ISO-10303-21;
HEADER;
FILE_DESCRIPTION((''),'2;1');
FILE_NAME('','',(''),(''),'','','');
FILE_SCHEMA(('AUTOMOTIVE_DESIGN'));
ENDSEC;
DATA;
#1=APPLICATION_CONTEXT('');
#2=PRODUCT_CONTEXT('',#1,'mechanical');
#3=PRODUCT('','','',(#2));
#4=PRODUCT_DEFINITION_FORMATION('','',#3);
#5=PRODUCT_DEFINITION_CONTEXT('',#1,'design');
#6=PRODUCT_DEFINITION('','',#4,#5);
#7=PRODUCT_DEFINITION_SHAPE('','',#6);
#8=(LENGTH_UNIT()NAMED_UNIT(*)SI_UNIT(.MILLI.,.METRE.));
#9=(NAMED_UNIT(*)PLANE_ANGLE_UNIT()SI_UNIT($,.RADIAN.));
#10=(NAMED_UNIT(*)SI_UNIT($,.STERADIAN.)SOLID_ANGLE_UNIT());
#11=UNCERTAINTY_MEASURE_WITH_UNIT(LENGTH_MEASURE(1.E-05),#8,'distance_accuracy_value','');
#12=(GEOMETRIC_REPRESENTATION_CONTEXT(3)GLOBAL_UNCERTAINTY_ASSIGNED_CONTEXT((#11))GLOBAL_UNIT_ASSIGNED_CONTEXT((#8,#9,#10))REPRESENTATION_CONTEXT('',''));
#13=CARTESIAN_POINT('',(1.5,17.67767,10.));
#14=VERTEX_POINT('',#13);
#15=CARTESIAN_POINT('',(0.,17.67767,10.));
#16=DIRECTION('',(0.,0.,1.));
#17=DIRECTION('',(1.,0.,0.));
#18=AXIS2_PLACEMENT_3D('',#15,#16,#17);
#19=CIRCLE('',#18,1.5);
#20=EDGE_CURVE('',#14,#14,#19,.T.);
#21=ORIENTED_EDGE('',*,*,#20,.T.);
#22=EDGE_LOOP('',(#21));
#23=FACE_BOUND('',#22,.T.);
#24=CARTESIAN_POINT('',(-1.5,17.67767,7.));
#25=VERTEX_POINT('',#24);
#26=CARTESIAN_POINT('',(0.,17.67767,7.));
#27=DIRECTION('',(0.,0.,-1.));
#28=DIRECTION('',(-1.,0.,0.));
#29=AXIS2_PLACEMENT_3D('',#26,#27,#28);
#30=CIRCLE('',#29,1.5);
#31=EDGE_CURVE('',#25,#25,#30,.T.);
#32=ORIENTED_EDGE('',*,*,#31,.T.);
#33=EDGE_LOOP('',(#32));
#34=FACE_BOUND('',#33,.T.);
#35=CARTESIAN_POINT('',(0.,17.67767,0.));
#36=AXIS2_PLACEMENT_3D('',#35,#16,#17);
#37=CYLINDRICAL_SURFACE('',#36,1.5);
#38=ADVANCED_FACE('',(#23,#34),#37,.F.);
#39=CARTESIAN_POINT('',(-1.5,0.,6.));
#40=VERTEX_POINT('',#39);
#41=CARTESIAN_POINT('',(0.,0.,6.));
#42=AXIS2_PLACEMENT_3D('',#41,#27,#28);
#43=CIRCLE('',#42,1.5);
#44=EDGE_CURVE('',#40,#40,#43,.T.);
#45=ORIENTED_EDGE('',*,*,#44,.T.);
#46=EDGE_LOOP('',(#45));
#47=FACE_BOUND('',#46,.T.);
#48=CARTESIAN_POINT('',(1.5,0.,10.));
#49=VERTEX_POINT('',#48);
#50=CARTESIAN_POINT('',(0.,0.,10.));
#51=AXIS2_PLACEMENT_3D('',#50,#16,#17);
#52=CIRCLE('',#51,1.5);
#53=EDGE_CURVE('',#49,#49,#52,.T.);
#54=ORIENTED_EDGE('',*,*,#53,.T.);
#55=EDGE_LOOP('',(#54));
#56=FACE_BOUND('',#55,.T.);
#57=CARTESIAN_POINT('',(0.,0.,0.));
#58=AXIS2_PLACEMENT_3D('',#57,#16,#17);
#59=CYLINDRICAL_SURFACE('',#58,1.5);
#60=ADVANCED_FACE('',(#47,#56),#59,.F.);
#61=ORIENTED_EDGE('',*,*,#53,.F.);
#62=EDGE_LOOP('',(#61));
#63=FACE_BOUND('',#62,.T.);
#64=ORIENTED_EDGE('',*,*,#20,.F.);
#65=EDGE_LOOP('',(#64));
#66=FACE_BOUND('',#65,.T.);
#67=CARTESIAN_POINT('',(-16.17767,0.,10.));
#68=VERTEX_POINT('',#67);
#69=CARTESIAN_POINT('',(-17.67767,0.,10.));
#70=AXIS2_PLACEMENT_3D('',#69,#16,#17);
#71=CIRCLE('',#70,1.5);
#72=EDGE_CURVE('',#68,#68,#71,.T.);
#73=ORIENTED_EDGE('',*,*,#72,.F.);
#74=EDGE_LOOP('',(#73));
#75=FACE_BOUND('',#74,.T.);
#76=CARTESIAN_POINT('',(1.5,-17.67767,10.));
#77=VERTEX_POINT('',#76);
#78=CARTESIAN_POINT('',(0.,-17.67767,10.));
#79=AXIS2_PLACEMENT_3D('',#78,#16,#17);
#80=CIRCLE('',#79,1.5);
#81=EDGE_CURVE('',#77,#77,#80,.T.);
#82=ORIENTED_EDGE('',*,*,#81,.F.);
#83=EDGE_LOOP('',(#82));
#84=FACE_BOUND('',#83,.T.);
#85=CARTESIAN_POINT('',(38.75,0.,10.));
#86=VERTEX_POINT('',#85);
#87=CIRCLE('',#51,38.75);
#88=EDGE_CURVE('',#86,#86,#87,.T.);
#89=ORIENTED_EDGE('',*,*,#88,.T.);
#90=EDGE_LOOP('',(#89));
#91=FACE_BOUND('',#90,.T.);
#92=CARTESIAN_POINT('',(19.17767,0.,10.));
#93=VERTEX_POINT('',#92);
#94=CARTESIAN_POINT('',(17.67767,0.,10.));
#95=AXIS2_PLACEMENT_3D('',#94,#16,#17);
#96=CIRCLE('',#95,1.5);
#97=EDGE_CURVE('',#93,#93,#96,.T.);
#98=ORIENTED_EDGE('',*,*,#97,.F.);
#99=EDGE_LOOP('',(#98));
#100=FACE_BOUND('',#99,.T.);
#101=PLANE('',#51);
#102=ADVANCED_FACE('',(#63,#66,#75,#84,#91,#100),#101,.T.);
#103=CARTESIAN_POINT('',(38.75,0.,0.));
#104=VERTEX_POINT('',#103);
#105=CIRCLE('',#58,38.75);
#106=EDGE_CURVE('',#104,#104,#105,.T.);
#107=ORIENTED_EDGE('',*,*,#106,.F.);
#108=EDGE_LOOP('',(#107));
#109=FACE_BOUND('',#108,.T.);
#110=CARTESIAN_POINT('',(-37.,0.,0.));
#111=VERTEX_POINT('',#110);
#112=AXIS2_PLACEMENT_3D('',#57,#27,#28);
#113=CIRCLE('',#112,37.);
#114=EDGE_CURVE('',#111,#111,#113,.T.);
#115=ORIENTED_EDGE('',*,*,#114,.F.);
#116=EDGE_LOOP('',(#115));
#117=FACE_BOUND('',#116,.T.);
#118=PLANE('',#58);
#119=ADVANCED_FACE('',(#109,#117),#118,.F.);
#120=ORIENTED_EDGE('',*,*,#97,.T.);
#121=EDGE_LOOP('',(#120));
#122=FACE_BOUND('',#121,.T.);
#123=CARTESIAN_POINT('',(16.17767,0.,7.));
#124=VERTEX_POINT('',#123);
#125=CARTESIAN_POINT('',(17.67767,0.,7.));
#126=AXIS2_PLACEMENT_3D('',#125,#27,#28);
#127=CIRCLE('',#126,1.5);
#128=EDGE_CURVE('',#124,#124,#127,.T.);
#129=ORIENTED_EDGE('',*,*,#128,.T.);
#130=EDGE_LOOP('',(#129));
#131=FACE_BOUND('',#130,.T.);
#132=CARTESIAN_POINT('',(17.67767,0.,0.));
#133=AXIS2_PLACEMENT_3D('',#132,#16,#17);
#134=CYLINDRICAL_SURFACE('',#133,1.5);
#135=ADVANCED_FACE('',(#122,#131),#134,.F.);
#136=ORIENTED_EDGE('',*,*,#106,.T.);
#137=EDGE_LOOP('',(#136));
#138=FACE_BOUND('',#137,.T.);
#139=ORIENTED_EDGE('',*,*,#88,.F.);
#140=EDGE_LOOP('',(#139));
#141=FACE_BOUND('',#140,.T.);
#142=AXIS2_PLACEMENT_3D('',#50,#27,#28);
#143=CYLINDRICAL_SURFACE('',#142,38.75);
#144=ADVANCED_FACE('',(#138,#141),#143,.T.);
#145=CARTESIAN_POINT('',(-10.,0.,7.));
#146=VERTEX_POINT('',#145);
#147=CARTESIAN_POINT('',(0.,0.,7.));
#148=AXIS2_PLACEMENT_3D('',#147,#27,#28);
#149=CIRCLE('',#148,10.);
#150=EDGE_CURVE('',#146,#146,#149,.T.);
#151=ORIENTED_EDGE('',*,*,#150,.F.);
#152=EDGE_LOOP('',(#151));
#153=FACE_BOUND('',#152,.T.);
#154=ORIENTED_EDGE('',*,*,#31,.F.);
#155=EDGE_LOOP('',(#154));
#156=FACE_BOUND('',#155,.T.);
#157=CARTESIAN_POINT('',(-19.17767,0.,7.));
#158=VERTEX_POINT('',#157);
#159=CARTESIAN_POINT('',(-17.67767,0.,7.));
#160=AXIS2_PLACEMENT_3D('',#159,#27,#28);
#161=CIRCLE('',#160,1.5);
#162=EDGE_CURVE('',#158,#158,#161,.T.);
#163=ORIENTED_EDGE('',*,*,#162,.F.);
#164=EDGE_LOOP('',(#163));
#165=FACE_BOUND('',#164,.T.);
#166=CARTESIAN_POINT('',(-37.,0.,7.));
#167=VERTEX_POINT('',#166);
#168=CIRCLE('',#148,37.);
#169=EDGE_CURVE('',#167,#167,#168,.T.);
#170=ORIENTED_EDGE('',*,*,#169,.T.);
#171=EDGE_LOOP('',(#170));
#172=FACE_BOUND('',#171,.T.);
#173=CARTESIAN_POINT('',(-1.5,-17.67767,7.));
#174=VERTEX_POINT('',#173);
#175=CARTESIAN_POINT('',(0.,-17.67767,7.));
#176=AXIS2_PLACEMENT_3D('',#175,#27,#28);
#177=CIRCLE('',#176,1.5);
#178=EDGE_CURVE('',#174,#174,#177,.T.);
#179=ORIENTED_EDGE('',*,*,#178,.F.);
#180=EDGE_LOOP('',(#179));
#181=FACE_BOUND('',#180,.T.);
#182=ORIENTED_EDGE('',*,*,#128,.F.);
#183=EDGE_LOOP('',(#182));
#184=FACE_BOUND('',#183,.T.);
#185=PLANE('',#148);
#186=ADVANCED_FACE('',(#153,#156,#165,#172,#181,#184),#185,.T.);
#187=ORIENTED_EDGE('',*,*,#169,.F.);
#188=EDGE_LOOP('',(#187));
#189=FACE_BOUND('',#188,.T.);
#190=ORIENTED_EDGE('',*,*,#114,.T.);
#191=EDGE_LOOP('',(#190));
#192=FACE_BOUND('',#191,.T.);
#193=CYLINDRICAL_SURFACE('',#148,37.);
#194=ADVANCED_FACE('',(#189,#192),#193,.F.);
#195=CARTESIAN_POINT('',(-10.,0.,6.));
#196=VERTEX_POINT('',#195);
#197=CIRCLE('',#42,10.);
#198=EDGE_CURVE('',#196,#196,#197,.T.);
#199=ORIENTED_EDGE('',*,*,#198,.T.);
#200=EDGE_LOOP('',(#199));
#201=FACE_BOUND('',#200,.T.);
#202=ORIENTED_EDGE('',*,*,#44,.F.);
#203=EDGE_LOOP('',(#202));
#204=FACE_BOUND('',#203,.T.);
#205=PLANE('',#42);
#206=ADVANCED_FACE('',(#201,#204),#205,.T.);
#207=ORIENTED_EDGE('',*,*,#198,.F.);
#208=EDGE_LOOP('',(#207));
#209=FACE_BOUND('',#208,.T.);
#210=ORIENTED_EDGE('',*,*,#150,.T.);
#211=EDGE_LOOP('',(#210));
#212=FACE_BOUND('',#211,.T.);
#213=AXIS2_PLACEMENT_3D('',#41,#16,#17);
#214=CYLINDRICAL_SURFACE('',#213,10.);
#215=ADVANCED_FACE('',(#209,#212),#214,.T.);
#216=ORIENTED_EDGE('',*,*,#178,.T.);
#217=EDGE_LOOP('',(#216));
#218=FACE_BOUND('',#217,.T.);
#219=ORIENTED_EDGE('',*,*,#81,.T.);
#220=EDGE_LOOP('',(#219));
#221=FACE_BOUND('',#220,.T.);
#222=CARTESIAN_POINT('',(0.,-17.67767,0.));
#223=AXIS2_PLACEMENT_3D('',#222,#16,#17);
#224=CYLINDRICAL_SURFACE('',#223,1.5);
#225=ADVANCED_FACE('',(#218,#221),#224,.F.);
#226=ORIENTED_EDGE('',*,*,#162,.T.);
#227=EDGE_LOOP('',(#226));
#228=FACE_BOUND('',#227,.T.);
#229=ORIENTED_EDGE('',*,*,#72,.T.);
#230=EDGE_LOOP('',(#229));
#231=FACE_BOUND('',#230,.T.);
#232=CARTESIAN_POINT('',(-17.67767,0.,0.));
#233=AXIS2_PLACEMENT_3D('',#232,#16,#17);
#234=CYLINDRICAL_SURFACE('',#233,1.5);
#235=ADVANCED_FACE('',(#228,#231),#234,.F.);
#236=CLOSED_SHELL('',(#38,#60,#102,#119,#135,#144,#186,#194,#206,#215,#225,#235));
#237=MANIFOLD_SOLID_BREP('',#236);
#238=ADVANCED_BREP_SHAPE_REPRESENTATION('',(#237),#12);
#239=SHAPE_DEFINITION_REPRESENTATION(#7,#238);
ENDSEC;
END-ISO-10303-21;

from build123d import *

# Parameters (mm, degrees)
SKETCH_1_R          = 38.75
EXTRUDE_1_DEPTH     = 10
SKETCH_2_R          = 37
CUT_EXTRUDE_1_DEPTH = 7
SKETCH_3_R          = 10
EXTRUDE_2_DEPTH     = 1
SKETCH_4_R          = 1.5
CUT_EXTRUDE_2_DEPTH = 56.705699888


with BuildPart() as part:
    # 草图1 → 凸台-拉伸1 (new body)
    with BuildSketch(Plane.XY):
        Circle(SKETCH_1_R)
    extrude(amount=EXTRUDE_1_DEPTH)

    # 草图2 → 切除-拉伸1 (cut)
    with BuildSketch(Plane(origin=(0, 0, 0), x_dir=(-1, 0, 0), z_dir=(0, 0, -1))):
        Circle(SKETCH_2_R)
    extrude(amount=-CUT_EXTRUDE_1_DEPTH, mode=Mode.SUBTRACT)

    # 草图3 → 凸台-拉伸2 (add)
    with BuildSketch(Plane(origin=(0, 0, 7), x_dir=(-1, 0, 0), z_dir=(0, 0, -1))):
        Circle(SKETCH_3_R)
    extrude(amount=EXTRUDE_2_DEPTH)

    # 草图4 → 切除-拉伸2 (cut, through all)
    with BuildSketch(Plane.XY.offset(10)):
        with Locations((0, 17.67766953)):
            Circle(SKETCH_4_R)
        with Locations((17.67766953, 0)):
            Circle(SKETCH_4_R)
        with Locations((0, -17.67766953)):
            Circle(SKETCH_4_R)
        with Locations((-17.67766953, 0)):
            Circle(SKETCH_4_R)
        Circle(SKETCH_4_R)
    extrude(amount=-CUT_EXTRUDE_2_DEPTH, mode=Mode.SUBTRACT)


solid = part.part
